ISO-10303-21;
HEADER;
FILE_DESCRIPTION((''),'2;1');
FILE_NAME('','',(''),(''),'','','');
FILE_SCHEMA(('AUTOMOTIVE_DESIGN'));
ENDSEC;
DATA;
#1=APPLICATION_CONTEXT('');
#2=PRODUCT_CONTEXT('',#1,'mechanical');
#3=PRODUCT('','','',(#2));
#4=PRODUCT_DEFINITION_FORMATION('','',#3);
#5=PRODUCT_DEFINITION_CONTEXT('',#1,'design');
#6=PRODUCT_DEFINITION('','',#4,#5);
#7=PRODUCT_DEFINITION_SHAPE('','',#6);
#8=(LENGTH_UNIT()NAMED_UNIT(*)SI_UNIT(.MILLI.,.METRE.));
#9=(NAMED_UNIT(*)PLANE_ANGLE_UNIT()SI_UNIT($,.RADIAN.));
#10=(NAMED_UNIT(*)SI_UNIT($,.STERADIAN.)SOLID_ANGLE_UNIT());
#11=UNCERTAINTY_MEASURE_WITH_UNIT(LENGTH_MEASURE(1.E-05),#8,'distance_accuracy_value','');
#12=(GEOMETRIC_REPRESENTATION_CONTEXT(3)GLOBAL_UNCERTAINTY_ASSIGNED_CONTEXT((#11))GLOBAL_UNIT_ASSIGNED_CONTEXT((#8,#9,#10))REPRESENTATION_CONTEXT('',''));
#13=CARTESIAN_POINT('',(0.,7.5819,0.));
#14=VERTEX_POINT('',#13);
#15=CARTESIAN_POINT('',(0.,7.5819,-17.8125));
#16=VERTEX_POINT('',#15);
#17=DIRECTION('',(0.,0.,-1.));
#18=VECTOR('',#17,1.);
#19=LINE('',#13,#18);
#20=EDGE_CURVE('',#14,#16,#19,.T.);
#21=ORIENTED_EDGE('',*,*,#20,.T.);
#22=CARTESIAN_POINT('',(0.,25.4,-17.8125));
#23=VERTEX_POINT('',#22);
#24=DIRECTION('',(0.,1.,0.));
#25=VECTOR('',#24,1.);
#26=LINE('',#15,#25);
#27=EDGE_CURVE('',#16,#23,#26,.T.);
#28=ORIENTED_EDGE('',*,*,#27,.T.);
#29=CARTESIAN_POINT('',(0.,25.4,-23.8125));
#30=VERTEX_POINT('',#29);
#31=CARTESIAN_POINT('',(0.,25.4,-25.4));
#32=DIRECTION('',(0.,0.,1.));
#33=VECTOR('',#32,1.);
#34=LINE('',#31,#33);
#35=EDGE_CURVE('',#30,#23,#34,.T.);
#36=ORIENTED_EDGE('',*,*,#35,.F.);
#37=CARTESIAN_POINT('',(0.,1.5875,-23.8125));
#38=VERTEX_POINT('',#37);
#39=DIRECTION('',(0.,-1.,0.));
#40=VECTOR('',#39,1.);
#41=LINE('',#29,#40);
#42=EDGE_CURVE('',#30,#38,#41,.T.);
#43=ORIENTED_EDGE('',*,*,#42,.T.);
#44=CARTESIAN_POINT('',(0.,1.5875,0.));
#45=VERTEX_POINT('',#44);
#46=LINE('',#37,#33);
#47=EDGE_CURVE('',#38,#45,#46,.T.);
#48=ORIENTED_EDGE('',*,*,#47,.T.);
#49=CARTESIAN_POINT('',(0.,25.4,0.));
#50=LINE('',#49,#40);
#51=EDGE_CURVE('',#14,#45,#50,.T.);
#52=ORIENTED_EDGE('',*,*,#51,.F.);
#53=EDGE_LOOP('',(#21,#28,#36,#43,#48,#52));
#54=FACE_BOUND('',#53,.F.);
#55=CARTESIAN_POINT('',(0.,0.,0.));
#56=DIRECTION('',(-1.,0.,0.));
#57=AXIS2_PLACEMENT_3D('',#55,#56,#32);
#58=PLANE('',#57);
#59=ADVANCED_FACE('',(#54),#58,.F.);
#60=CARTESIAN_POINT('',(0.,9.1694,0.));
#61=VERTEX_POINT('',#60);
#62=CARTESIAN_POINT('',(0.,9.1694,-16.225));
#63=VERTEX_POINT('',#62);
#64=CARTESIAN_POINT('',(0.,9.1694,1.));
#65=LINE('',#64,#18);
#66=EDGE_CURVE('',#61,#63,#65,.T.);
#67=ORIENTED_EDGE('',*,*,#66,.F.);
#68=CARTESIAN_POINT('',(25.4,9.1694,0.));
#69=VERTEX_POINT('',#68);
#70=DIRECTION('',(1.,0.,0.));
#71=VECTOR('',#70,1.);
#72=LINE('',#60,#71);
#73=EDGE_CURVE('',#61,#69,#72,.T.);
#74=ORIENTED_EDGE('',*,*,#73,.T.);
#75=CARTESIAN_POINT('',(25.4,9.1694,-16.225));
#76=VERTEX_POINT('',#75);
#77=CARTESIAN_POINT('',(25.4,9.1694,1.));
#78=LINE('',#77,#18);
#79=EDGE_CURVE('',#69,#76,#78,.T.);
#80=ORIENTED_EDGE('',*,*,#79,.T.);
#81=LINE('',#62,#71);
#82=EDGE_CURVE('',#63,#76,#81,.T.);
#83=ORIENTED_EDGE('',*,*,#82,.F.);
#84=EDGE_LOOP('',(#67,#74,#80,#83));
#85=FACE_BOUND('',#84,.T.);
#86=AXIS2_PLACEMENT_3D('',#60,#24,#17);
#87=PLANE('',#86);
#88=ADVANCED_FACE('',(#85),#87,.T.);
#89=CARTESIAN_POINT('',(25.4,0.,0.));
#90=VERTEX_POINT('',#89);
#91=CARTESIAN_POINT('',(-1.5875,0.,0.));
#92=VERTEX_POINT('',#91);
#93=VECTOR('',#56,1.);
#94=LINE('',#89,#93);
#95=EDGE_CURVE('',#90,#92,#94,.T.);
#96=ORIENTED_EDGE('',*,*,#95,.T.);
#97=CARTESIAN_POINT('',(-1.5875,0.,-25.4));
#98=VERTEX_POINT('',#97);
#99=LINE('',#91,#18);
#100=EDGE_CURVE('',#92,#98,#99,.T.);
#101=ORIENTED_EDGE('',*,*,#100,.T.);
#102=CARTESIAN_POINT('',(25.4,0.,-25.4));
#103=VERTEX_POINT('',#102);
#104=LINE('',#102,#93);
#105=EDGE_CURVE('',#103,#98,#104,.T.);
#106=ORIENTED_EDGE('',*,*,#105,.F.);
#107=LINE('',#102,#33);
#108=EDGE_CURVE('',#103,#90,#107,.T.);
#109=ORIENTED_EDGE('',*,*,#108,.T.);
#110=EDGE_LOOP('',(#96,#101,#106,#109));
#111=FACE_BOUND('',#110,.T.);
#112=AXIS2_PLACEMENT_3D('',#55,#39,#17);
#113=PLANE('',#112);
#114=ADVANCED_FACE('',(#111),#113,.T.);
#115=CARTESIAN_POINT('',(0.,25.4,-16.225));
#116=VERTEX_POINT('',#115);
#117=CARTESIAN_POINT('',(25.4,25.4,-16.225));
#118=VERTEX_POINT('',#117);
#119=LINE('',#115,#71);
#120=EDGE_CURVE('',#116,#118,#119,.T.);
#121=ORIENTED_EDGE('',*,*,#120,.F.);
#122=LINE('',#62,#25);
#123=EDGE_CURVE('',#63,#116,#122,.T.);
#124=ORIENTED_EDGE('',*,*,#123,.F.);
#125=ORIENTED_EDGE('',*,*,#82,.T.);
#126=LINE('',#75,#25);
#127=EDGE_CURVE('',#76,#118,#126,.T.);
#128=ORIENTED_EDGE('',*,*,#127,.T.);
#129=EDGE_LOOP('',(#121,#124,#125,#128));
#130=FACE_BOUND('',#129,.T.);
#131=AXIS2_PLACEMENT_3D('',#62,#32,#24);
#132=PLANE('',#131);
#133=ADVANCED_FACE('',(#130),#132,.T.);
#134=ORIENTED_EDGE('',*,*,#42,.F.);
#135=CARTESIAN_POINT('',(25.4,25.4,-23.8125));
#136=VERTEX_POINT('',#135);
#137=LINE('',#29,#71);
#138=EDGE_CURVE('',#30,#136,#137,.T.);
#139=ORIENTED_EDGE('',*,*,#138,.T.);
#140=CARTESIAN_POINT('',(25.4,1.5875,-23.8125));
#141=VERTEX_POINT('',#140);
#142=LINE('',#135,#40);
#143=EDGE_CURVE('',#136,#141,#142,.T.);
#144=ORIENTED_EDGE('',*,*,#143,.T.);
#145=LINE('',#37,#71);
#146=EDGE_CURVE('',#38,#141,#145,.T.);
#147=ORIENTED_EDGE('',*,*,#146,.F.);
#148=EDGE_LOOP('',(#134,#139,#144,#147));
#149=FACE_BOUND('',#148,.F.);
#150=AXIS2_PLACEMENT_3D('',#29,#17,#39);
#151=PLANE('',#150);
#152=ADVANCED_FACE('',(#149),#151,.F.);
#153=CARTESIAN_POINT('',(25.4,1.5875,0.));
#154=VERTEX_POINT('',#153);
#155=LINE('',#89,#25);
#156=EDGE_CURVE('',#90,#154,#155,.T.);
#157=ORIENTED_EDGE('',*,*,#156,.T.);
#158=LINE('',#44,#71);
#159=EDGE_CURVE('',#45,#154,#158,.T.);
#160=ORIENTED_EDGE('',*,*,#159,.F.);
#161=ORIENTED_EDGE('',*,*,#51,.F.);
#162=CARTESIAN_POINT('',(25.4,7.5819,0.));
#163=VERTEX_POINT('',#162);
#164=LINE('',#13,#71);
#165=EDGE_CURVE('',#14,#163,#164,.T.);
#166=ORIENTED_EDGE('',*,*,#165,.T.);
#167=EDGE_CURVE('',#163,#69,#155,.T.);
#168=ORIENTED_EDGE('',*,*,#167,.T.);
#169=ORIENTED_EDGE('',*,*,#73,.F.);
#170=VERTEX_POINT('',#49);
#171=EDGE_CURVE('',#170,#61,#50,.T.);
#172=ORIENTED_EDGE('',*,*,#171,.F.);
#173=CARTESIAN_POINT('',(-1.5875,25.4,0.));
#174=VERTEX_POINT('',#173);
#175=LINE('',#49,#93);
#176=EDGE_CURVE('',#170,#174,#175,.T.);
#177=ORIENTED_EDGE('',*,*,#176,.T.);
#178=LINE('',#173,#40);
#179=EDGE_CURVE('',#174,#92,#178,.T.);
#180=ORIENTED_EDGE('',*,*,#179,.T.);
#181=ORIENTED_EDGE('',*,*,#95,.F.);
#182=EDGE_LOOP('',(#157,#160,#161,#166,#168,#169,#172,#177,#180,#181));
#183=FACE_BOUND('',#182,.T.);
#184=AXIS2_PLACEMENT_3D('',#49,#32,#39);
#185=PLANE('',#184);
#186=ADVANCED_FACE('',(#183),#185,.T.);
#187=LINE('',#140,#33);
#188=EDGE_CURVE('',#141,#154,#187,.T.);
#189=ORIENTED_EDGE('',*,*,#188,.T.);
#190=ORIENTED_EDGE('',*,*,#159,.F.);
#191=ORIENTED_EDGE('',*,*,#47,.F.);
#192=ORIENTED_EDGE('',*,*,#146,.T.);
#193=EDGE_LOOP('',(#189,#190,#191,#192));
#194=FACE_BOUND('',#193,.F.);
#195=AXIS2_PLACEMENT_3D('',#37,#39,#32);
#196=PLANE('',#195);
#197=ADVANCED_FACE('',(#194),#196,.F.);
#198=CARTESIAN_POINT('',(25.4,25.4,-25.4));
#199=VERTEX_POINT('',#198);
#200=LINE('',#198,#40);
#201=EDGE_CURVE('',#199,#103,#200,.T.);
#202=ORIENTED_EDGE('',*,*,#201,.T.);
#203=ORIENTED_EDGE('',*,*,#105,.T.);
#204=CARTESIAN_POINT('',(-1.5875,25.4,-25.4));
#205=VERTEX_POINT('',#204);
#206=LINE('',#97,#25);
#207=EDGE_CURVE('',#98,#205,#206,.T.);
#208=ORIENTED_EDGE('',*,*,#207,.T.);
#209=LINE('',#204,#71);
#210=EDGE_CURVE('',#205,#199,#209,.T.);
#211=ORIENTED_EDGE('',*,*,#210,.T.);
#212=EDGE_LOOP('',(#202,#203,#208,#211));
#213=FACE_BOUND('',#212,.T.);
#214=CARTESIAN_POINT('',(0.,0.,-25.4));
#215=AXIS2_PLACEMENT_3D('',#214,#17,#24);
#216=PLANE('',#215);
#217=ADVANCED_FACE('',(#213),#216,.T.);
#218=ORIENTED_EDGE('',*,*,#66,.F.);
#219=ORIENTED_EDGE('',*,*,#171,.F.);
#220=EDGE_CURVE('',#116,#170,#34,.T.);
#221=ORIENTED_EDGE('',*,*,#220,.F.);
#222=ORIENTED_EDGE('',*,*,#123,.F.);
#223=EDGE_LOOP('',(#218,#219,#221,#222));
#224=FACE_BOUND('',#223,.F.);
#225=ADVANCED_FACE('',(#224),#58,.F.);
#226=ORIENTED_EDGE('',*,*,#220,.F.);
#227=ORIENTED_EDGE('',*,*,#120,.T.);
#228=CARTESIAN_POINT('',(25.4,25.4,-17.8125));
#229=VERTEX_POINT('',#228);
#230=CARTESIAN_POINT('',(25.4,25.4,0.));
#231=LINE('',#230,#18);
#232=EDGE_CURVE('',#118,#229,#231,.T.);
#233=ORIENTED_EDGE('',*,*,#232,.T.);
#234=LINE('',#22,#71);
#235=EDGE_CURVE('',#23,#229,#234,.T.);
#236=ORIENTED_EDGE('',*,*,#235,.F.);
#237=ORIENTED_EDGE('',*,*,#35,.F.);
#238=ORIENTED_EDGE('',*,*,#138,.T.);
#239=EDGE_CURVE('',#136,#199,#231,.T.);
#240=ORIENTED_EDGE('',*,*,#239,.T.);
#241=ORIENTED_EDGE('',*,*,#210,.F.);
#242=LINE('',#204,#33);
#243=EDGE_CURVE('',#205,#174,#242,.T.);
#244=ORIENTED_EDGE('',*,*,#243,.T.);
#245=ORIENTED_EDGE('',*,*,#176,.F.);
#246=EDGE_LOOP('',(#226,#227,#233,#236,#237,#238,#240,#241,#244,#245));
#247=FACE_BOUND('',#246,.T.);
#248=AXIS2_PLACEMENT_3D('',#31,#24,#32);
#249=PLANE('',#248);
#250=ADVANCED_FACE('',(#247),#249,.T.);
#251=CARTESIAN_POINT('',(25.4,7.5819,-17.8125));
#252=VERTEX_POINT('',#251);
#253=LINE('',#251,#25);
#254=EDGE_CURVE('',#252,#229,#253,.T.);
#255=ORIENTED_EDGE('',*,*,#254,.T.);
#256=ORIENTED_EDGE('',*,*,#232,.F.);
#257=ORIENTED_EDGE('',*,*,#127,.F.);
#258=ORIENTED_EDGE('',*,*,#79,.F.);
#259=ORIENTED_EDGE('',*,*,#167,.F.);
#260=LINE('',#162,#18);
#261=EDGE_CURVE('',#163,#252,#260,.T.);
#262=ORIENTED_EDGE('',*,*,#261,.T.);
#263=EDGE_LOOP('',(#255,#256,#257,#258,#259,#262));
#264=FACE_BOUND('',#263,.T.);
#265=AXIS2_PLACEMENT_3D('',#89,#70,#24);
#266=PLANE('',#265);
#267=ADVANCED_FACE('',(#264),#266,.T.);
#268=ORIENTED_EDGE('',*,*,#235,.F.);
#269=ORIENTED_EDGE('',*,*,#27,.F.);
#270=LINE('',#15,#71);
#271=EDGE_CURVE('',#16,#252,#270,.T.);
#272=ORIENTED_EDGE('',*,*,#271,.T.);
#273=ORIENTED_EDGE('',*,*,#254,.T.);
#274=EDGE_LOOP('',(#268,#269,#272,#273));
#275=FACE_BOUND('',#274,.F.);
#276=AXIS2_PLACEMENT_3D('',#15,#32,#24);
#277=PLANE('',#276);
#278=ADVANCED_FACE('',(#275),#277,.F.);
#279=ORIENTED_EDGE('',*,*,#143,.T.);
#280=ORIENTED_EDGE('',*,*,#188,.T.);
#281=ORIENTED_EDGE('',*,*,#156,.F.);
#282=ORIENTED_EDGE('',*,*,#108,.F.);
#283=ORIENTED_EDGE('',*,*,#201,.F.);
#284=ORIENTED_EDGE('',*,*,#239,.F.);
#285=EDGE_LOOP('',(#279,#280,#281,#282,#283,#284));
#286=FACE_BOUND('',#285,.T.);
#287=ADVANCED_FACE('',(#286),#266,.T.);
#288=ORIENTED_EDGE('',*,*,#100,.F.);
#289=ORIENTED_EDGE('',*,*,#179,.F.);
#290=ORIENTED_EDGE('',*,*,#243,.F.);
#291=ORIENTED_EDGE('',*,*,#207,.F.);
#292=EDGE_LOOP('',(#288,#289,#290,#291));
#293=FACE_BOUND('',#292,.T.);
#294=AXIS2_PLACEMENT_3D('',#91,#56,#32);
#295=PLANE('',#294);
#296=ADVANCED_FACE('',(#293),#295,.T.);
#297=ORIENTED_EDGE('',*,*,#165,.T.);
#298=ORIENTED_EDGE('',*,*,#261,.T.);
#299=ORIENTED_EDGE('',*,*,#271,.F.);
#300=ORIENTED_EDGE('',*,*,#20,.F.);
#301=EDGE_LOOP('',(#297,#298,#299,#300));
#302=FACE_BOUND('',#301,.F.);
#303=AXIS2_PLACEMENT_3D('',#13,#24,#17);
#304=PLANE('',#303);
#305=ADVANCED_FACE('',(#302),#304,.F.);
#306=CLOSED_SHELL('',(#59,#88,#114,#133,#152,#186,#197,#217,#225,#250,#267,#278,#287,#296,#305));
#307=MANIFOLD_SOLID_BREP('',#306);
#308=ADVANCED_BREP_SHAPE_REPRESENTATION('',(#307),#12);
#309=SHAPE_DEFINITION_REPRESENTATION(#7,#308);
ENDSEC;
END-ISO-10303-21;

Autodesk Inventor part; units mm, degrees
ref_plane "YZ Plane" through (0, 0, 0) normal (1, 0, 0) x (0, 1, 0)
ref_plane "XZ Plane" through (0, 0, 0) normal (0, 1, 0) x (-1, 0, 0)
ref_plane "XY Plane" through (0, 0, 0) normal (0, 0, 1) x (1, 0, 0)
sketch "Sketch3" plane through (0, 0, 0) normal (1, 0, 0) x (0, 1, 0)
  line L0 (0, 0) -> (25.4, 0)
  line L1 (25.4, 0) -> (25.4, -25.4)
  line L2 (25.4, -25.4) -> (0, -25.4)
  line L3 (0, -25.4) -> (0, 0)
  line L4 (25.4, -23.8125) -> (1.5875, -23.8125)
  line L5 (1.5875, -23.8125) -> (1.5875, 0)
  line L6 (7.5819, -17.8125) -> (25.4, -17.8125)
  line L7 (7.5819, 0) -> (7.5819, -17.8125)
  line L8 (9.1694, 1) -> (9.1694, -16.225)
  line L9 (9.1694, -16.225) -> (25.4, -16.225)
  point P0 (25.4, -16.225)
  point P1 (9.1694, 0)
  dimension "d15" = 25.4
  dimension "d16" = 25.4
  dimension "d17" = 1.5875
  dimension "d18" = 6
  dimension "d19" = 1.5875
  dimension "d24" = 5.9944
extrude "Extrusion3" add sketch "Sketch3" along normal blind 25.4 contours L0 L5 L4 L1 L2 L3 | L0 L8 L9 L1 L6 L7
sketch "Sketch4" plane through (0, 0, 0) normal (-1, 0, 0) x (0, 0, 1)
  line L0 (-25.4, 0) -> (-25.4, 25.4) projected
  line L1 (-25.4, 25.4) -> (0, 25.4)
  line L2 (0, 25.4) -> (0, 0)
  line L3 (0, 0) -> (-25.4, 0)
  line L4 (-25.4, 0) -> (-25.4, 25.4)
extrude "Extrusion4" add sketch "Sketch4" along normal blind 1.5875
properties part number "clip corner"
